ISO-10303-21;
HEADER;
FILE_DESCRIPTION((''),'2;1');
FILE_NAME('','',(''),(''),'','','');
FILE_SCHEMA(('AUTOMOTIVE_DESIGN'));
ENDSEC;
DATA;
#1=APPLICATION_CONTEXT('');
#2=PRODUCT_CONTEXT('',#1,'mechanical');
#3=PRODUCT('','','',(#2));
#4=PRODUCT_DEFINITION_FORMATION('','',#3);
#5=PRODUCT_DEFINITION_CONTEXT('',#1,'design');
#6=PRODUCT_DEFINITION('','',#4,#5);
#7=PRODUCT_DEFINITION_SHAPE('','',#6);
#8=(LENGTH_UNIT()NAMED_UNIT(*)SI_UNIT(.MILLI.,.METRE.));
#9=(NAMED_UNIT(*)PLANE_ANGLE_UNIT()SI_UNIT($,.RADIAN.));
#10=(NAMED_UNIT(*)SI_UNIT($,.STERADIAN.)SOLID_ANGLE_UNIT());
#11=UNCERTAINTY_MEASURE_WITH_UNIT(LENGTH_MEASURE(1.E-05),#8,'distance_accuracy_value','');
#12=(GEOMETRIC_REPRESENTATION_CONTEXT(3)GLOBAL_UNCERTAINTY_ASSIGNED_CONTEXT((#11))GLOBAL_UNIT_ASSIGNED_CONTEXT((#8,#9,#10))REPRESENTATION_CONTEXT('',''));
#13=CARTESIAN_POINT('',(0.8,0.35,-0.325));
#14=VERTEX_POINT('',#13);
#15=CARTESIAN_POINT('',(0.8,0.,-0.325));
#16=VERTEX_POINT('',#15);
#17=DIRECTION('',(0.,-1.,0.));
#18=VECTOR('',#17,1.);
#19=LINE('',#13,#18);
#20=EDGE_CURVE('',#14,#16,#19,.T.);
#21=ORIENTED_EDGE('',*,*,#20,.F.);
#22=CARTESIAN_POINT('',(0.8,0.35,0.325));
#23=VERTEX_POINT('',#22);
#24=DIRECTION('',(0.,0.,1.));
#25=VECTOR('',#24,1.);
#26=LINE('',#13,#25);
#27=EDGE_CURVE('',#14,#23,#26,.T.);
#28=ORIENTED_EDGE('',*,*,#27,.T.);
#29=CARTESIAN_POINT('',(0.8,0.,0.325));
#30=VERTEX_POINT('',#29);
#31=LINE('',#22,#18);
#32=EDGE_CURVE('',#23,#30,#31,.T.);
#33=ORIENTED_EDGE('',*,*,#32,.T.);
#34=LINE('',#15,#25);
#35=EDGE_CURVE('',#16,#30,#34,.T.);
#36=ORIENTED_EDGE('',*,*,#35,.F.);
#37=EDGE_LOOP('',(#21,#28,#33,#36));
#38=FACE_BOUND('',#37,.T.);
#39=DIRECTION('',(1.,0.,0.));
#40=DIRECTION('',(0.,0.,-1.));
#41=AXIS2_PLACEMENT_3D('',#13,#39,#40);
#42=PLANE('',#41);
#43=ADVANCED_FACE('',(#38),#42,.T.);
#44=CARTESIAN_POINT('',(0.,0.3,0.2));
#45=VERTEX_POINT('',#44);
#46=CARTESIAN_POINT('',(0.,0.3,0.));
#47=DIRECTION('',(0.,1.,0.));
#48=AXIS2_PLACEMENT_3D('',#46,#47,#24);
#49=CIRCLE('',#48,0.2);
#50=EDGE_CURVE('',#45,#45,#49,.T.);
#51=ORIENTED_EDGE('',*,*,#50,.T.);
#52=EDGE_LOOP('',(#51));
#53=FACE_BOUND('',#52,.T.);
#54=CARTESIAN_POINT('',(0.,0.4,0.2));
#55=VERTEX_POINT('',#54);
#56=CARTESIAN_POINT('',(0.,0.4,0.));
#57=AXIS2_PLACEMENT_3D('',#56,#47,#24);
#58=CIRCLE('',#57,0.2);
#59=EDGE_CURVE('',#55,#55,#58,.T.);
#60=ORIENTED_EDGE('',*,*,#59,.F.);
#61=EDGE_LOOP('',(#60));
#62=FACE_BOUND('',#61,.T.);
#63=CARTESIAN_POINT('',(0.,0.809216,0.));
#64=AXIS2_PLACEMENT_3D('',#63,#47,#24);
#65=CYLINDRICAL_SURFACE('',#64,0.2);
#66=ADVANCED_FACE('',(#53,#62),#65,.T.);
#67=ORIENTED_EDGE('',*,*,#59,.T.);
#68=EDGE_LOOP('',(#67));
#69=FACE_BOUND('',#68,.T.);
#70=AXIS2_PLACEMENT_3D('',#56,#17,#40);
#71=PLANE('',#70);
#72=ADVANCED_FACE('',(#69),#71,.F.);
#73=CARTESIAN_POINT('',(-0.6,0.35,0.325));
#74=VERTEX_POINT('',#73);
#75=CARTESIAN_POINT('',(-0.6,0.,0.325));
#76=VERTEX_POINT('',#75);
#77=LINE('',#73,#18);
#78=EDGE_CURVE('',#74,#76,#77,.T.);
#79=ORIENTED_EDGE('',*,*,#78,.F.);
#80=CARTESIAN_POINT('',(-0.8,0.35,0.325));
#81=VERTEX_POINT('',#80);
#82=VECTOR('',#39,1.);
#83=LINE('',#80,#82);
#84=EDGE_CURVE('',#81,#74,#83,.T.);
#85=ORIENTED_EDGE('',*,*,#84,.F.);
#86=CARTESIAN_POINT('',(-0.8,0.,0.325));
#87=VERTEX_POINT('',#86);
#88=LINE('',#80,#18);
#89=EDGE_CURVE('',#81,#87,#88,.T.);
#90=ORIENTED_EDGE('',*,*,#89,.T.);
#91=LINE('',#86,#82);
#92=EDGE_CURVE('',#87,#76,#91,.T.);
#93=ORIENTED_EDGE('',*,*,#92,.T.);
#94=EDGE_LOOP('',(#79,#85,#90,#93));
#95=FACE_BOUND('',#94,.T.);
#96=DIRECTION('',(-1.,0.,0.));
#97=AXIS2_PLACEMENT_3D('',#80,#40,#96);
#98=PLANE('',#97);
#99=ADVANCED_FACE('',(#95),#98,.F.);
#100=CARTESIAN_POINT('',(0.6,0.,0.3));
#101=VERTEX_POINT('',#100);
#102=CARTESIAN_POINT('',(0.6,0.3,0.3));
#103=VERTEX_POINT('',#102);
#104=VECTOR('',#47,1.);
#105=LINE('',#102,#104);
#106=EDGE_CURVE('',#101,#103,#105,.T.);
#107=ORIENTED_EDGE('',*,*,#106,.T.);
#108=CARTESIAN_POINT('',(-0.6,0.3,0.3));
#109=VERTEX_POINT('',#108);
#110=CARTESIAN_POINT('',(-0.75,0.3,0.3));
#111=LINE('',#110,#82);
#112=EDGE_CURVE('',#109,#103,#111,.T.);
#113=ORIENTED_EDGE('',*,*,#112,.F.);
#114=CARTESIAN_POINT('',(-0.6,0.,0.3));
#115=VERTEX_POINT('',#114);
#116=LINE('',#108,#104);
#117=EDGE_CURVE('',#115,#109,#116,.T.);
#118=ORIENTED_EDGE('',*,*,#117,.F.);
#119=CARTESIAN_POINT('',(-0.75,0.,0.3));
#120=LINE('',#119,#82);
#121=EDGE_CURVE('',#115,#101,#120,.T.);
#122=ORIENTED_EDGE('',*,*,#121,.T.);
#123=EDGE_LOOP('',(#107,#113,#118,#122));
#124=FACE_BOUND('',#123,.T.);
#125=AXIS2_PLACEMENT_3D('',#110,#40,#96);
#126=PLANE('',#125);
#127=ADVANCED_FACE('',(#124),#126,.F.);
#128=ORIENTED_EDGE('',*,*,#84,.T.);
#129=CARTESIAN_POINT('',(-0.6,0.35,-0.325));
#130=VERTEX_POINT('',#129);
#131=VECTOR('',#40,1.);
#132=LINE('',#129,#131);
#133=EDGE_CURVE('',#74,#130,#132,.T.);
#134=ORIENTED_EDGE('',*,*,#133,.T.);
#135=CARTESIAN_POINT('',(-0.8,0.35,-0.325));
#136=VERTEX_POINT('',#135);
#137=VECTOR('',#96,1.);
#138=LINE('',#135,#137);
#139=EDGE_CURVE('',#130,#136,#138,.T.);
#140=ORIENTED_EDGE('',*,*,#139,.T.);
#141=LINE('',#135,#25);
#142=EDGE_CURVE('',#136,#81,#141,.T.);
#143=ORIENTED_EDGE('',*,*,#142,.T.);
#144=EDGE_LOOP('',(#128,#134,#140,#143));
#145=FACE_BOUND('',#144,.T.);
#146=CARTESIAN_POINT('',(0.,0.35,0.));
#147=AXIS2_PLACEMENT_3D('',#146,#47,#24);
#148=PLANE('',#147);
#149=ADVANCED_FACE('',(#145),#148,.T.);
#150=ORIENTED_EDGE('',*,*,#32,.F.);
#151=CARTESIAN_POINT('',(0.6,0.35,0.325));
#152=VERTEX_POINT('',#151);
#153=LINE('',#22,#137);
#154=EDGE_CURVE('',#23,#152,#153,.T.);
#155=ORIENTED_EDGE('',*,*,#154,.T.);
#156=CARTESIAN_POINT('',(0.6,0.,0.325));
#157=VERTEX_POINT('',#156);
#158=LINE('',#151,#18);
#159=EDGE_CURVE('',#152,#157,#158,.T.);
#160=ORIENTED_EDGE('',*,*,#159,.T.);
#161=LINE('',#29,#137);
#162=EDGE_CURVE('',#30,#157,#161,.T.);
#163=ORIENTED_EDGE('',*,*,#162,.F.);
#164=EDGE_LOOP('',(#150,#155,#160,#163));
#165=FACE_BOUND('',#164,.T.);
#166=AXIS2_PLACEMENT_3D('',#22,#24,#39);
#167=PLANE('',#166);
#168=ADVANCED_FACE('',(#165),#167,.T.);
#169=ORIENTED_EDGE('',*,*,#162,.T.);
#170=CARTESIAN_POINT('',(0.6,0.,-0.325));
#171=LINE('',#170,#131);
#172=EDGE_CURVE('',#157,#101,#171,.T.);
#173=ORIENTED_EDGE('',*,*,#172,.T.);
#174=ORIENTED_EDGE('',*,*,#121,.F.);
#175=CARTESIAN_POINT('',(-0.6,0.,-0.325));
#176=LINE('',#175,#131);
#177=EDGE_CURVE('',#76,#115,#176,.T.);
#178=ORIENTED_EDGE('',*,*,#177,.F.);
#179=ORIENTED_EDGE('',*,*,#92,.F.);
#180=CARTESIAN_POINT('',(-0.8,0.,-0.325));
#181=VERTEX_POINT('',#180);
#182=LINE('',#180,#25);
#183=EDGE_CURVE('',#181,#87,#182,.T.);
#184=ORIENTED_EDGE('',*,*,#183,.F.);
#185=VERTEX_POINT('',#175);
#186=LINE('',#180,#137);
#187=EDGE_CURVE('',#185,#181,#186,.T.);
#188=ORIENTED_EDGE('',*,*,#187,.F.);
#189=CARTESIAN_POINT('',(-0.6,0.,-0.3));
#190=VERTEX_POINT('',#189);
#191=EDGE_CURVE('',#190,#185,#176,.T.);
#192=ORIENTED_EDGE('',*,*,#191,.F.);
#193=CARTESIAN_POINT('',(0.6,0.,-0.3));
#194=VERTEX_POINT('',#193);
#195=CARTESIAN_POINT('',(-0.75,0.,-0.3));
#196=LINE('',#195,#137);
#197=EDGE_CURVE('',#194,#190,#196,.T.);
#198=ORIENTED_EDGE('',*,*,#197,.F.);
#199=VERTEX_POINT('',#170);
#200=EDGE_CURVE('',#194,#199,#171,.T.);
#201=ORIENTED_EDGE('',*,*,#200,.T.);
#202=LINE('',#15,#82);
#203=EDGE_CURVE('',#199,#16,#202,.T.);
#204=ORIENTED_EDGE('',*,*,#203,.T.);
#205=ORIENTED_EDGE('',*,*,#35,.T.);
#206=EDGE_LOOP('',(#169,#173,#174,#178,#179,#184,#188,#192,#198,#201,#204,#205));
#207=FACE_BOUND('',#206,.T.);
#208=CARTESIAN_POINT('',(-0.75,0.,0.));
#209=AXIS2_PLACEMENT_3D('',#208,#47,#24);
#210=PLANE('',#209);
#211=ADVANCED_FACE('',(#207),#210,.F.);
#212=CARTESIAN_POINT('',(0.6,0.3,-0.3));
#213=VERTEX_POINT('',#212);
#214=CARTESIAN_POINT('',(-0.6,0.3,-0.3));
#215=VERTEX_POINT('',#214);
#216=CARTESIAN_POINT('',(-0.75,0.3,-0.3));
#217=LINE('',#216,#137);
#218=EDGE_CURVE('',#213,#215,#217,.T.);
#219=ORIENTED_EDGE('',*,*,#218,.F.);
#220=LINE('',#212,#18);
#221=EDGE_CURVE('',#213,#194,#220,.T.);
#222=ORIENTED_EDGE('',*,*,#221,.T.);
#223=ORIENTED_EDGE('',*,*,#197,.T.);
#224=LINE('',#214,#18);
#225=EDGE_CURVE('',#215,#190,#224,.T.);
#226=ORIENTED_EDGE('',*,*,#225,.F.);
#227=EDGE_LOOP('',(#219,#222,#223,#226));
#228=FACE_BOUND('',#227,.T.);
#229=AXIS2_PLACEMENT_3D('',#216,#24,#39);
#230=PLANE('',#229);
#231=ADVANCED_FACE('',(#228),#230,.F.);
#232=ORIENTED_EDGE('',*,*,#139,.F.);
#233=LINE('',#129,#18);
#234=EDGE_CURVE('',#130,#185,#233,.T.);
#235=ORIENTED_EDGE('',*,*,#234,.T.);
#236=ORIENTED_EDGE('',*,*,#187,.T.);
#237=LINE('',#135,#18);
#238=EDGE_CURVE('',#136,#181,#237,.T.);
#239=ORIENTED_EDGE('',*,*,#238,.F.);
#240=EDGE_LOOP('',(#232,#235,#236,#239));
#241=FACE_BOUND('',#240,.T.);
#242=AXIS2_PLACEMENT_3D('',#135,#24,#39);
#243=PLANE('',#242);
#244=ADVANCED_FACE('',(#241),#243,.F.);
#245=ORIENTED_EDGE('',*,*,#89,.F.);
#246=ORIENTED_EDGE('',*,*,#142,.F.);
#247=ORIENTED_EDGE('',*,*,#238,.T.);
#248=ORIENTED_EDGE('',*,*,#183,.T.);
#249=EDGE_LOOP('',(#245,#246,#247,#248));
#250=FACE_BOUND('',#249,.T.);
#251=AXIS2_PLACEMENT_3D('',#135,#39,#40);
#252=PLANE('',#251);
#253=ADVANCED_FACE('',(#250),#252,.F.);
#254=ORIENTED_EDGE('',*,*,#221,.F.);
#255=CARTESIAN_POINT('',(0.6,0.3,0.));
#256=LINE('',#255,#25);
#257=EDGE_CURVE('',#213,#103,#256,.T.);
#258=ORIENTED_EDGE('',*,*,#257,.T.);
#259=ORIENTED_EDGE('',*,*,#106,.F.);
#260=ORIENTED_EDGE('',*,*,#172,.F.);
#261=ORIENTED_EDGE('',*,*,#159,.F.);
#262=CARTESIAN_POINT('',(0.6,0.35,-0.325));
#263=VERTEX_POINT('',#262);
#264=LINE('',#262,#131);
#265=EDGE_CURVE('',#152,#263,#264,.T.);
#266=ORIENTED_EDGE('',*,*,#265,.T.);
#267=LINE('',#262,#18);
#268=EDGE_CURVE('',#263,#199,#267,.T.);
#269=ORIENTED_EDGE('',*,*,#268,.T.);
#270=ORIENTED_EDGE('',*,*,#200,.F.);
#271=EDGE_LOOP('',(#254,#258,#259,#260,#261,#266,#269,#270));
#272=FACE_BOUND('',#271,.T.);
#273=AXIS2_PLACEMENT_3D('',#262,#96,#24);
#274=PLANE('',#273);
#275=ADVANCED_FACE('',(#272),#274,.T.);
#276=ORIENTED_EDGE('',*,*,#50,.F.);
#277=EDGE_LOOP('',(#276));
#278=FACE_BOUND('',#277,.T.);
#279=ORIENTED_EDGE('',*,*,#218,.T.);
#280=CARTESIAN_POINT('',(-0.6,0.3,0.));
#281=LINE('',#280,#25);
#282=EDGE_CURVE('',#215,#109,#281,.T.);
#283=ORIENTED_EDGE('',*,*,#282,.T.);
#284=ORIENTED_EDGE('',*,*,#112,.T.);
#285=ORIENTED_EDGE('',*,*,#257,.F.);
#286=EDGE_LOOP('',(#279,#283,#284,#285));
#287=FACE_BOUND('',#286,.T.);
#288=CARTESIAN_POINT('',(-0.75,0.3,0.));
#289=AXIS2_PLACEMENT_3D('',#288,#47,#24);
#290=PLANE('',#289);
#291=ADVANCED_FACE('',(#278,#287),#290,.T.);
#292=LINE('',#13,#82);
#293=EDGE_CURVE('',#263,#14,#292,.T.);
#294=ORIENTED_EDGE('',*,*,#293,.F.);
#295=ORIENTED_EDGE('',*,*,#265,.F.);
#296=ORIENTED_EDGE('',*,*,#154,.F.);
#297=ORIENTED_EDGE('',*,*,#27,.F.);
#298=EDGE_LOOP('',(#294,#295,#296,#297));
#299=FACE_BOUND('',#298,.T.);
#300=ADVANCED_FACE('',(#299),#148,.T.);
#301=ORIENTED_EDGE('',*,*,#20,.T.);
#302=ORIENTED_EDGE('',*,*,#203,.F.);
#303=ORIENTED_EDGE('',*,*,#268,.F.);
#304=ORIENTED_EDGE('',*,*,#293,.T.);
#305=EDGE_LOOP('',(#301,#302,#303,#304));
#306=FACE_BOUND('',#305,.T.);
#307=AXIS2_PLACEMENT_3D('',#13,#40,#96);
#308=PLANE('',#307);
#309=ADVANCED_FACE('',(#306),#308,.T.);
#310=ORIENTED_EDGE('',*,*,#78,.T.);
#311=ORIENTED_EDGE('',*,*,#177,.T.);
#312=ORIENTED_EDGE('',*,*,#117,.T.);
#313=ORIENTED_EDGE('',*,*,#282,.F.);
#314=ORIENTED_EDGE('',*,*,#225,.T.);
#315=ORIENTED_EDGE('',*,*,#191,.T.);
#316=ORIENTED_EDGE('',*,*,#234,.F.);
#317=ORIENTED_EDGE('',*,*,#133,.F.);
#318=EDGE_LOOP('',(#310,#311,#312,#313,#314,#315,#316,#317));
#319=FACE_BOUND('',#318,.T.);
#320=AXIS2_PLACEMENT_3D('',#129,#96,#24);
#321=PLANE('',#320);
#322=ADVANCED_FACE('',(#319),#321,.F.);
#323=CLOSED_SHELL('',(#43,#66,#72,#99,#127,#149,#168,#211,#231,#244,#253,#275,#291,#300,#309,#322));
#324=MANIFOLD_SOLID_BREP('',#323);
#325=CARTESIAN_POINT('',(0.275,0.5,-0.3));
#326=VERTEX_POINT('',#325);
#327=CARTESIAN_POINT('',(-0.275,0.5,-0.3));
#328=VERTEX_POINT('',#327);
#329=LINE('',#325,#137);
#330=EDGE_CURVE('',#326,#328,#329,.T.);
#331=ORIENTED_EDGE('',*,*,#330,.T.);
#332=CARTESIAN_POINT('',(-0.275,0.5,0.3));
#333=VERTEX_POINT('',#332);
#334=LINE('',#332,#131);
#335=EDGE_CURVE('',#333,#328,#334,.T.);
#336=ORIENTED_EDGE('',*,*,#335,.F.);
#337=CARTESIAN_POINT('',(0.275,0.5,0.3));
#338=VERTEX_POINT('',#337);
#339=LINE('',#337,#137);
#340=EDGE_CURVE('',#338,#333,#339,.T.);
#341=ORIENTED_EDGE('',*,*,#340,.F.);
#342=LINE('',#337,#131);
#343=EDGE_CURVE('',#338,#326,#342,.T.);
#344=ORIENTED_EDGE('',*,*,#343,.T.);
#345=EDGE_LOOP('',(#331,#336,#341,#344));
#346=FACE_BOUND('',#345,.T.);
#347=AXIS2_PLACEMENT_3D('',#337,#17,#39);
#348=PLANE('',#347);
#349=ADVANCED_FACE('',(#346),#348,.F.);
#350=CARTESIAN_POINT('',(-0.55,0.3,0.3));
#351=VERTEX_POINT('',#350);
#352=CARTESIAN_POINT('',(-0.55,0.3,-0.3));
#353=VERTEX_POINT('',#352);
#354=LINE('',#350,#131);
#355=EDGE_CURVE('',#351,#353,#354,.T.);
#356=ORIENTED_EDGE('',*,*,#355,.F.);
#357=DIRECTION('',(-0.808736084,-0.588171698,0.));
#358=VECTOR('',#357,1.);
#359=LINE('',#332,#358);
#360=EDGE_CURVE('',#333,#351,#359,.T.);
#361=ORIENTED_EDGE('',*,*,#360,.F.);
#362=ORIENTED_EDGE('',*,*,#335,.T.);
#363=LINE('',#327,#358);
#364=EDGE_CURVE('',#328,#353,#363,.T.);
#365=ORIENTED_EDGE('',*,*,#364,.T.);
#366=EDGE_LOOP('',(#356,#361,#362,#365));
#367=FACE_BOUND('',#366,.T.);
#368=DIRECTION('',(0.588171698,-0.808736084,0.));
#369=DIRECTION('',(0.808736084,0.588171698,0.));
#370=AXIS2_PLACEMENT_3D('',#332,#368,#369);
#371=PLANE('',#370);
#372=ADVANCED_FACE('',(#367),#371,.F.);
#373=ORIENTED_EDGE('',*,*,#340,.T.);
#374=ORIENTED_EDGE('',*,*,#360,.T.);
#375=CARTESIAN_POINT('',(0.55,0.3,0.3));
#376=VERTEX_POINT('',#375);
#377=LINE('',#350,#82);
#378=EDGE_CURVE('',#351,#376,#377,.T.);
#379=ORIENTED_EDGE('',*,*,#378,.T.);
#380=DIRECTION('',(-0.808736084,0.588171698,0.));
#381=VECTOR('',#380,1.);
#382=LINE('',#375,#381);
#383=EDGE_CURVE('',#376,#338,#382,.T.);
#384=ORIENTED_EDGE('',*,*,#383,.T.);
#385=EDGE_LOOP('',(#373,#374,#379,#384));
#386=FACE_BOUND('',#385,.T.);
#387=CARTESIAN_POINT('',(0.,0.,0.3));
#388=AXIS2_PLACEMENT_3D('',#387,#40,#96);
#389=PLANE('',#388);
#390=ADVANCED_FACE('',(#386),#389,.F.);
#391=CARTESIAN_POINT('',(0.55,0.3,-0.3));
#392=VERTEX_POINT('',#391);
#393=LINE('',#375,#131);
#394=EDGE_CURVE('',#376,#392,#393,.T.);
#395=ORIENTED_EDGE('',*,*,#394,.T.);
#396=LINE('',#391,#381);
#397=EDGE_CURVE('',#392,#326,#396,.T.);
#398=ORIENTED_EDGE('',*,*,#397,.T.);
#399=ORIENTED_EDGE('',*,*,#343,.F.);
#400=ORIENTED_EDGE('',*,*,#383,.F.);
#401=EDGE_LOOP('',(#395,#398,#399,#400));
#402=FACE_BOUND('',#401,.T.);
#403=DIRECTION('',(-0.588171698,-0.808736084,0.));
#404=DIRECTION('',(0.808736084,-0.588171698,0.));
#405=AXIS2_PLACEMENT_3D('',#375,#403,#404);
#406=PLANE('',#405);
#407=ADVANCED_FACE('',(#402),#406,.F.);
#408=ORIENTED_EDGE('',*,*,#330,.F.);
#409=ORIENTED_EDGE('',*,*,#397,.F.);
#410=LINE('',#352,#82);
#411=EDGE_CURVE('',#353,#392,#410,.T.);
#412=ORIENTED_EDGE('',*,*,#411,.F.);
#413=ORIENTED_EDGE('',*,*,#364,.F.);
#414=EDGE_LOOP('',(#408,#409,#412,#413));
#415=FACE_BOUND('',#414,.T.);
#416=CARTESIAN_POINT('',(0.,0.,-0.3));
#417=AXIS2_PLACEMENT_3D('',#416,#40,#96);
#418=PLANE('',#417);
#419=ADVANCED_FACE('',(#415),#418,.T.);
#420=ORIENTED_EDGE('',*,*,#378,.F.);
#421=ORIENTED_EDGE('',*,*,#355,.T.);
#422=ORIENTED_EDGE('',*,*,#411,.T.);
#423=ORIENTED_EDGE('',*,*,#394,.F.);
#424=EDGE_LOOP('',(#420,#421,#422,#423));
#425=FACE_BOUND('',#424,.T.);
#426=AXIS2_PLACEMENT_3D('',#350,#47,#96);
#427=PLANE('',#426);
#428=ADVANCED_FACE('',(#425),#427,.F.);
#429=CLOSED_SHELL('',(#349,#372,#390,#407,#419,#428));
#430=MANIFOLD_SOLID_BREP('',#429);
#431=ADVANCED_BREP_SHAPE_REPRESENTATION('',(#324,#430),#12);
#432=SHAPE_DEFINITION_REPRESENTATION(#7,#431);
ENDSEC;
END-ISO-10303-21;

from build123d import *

# Parameters (mm, degrees)
BOSS_EXTRUDE1_DEPTH = 0.3
SKETCH3_W           = 0.2
SKETCH3_H           = 0.1
SKETCH4_W           = 0.2
SKETCH4_H           = 0.65
BOSS_EXTRUDE4_DEPTH = 0.35
BOSS_EXTRUDE5_DEPTH = 0.3


with BuildPart() as part:
    # Sketch1 → Boss-Extrude1 (new body)
    with BuildSketch(Plane(origin=(0, 0, 0), x_dir=(1, 0, 0), z_dir=(0, 1, 0))):
        with BuildLine():
            Line((-0.75, 0.3), (0.75, 0.3))
            Line((0.75, 0.3), (0.75, 0.125))
            ThreePointArc((0.75, 0.125), (0.625, 0), (0.75, -0.125))
            Line((0.75, -0.125), (0.75, -0.3))
            Line((0.75, -0.3), (-0.75, -0.3))
            Line((-0.75, -0.3), (-0.75, -0.125))
            ThreePointArc((-0.75, -0.125), (-0.625, 0), (-0.75, 0.125))
            Line((-0.75, 0.125), (-0.75, 0.3))
        make_face()
    extrude(amount=BOSS_EXTRUDE1_DEPTH)

    # Sketch3 → Revolve1 (revolve)
    with BuildSketch(Plane.XY):
        with Locations((0.1, 0.35)):
            Rectangle(SKETCH3_W, SKETCH3_H)
    revolve(axis=Axis((0, 0.809216282, 0), (0, -1, 0)))

    # Sketch4 → Boss-Extrude4 (add)
    with BuildSketch(Plane(origin=(0, 0, 0), x_dir=(1, 0, 0), z_dir=(0, 1, 0))):
        with Locations((-0.7, 0)):
            Rectangle(SKETCH4_W, SKETCH4_H)
    boss_extrude4 = extrude(amount=BOSS_EXTRUDE4_DEPTH)

    # Symétrie1: Boss-Extrude4 across plane
    add(boss_extrude4.mirror(Plane(origin=(0, 0, 0), x_dir=(0, 0, 1), z_dir=(1, 0, 0))))


with BuildPart() as body_2:
    # Sketch2 → Boss-Extrude5 (new body, symmetric)
    with BuildSketch(Plane.XY):
        Polygon((-0.55, 0.3), (0.55, 0.3), (0.275, 0.5), (-0.275, 0.5), align=None)
    extrude(amount=BOSS_EXTRUDE5_DEPTH, both=True)


solid = Compound([part.part, body_2.part])
